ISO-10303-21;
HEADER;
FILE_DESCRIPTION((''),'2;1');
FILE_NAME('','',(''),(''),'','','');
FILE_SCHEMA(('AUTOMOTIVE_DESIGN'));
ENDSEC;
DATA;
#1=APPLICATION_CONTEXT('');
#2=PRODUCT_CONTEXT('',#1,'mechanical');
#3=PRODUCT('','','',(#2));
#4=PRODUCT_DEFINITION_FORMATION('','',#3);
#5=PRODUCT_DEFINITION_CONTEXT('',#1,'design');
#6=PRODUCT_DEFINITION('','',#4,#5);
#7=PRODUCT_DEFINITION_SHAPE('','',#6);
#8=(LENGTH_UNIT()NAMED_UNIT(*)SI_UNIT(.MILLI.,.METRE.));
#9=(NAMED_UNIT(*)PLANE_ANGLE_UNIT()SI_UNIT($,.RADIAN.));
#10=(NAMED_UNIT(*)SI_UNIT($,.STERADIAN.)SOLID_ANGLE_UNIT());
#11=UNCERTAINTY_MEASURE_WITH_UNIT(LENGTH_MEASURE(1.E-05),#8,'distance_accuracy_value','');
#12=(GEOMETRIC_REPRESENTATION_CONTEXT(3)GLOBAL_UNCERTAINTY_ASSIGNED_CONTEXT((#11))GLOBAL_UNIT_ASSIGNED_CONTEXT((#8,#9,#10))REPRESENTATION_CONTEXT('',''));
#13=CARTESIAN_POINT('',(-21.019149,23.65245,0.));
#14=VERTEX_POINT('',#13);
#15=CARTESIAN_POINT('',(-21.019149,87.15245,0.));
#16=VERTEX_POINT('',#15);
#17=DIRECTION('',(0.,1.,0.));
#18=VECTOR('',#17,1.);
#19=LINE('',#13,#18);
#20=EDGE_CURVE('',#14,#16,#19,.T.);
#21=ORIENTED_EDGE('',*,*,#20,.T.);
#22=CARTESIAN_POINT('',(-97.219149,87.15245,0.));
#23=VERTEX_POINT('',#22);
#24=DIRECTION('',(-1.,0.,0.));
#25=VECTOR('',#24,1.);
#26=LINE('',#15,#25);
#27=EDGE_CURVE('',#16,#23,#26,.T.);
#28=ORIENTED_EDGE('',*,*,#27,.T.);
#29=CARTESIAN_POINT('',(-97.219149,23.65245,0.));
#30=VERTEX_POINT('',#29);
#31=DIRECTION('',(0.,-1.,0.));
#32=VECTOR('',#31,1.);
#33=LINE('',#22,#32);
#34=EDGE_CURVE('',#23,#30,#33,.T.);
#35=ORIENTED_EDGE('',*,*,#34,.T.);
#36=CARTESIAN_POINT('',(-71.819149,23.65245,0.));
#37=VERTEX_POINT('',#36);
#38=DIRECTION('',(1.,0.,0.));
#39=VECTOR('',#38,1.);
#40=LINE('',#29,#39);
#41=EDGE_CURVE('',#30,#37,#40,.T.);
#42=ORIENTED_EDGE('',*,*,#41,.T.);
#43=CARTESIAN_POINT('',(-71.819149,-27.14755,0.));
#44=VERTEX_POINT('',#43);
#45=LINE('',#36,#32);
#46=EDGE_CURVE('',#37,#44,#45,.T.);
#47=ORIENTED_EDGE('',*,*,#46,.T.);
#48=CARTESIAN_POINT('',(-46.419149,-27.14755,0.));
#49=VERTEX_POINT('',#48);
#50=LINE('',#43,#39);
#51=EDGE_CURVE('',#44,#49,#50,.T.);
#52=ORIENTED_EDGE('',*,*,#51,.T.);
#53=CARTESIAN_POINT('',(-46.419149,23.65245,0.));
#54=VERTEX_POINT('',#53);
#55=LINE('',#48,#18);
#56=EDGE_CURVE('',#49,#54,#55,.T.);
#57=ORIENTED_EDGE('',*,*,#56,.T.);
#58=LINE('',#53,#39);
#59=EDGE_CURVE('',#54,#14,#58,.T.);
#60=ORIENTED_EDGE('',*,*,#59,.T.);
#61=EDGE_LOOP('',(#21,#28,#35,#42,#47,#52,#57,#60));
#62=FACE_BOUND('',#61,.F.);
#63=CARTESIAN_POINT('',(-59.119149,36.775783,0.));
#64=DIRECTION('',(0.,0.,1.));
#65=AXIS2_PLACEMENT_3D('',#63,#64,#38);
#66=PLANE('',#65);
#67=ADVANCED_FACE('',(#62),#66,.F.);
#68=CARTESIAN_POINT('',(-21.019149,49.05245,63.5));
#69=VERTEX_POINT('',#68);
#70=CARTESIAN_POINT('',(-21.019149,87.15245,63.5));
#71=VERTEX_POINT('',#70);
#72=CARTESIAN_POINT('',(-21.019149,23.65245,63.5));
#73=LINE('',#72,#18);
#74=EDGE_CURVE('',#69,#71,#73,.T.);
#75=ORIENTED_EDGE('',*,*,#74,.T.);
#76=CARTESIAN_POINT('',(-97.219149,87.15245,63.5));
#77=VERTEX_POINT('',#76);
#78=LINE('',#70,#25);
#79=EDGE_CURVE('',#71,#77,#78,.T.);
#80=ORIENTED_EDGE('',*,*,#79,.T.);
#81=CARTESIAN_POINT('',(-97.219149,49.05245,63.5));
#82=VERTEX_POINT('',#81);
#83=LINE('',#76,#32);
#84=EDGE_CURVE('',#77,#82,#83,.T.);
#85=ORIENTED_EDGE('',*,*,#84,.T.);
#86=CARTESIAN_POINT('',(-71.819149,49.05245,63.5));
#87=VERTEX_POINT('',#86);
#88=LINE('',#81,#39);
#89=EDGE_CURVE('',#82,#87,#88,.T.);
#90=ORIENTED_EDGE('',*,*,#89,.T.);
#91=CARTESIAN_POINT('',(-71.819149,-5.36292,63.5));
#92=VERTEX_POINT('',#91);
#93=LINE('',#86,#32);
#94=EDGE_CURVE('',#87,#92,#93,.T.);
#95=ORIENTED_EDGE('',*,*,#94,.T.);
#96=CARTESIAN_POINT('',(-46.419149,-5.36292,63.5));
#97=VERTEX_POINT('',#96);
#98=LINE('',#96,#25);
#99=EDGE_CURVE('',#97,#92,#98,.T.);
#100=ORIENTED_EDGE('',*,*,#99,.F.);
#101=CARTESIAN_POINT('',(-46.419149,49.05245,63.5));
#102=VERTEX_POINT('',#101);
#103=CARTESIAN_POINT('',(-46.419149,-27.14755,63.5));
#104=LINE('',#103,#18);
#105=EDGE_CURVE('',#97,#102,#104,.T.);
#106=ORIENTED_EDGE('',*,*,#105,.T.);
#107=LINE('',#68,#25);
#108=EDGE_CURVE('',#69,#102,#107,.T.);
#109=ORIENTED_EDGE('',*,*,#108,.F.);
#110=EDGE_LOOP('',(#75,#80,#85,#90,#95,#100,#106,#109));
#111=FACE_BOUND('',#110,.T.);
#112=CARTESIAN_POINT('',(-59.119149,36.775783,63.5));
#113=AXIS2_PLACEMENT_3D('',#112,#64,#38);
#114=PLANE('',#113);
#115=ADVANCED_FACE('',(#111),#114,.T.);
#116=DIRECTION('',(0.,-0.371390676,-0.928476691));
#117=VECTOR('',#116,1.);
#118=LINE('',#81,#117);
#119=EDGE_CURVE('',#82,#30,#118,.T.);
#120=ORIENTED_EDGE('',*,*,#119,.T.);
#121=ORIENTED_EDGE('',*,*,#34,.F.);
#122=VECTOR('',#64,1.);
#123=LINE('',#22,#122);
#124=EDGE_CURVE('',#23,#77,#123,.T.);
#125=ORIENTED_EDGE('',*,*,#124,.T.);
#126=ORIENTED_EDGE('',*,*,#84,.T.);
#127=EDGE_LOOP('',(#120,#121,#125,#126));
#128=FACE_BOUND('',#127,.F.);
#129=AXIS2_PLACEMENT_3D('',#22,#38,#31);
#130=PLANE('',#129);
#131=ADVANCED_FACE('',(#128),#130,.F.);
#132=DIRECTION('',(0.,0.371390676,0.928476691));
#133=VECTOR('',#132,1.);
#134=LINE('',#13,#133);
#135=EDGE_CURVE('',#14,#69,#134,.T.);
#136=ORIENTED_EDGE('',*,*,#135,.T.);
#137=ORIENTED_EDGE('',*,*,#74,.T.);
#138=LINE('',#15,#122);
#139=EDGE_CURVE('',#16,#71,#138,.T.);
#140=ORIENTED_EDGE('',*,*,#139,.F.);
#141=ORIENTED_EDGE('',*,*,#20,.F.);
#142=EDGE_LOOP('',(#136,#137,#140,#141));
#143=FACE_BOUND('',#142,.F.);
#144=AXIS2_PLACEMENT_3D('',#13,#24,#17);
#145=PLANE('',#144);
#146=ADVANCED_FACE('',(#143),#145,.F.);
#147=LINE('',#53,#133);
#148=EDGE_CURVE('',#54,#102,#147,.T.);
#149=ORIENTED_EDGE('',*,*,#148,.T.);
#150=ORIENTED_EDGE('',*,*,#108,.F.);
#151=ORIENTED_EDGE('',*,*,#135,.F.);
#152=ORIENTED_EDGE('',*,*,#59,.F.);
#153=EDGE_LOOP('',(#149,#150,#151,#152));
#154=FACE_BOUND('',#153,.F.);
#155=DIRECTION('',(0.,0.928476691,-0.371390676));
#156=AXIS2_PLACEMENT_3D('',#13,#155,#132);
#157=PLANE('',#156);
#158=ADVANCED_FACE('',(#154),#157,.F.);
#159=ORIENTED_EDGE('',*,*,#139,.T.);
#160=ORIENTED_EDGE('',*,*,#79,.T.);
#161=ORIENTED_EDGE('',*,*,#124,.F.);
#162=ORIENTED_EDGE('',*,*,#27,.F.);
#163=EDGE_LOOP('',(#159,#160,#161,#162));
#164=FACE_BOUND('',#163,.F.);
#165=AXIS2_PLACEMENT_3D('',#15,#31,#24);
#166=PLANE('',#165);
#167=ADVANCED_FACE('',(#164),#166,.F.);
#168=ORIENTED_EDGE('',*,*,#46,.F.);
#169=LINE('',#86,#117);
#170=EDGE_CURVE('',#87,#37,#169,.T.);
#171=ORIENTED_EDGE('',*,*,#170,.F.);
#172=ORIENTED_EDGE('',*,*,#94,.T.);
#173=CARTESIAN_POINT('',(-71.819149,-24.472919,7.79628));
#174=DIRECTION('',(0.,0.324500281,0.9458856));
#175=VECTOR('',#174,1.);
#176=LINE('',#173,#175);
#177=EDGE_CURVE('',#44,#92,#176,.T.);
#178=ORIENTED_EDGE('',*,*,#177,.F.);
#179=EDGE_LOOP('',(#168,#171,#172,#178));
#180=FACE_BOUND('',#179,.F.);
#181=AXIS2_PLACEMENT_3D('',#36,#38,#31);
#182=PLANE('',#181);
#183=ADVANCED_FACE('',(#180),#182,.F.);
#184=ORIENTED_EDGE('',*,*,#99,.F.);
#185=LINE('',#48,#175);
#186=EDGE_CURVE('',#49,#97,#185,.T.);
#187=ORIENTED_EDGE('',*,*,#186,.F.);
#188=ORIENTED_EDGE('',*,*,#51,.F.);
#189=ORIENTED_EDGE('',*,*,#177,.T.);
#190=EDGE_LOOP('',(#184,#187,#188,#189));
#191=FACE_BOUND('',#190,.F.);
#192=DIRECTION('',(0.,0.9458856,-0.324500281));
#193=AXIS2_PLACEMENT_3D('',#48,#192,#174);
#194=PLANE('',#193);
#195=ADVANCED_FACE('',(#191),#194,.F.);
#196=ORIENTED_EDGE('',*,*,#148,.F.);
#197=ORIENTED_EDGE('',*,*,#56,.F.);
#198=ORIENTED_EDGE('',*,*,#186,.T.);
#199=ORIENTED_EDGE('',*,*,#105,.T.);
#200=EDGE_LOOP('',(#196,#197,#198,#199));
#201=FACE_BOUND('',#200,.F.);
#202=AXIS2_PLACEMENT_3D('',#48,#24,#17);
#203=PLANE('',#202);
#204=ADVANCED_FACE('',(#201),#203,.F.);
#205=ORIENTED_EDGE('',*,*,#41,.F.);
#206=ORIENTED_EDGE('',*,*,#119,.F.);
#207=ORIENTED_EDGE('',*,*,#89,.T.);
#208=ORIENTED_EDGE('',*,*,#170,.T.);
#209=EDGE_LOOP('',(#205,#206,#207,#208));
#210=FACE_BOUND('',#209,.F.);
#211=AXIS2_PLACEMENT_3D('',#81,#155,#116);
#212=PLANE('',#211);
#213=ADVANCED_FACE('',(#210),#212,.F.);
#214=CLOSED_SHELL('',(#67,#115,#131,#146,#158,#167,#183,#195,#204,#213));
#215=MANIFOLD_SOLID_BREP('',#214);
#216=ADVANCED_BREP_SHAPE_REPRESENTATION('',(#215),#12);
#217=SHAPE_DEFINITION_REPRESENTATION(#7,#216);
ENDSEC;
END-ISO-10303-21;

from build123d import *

# Parameters (mm, degrees)
F1_DEPTH = 63.5
F3_DEPTH = 25.4
F5_DEPTH = 25.4
F7_DEPTH = 50.801


with BuildPart() as f1:
    # F0 (on Top) → F1 (new body)
    with BuildSketch(Plane.XY):
        Polygon((-21.019149, 87.15245), (-97.219149, 87.15245), (-97.219149, 23.65245), (-71.819149, 23.65245), (-71.819149, -27.14755), (-46.419149, -27.14755), (-46.419149, 23.65245), (-21.019149, 23.65245), align=None)
    extrude(amount=F1_DEPTH)

    # F2 (on face) → F3 (cut)
    with BuildSketch(Plane(origin=(-97.219149, 0, 0), x_dir=(0, -1, 0), z_dir=(-1, 0, 0))):
        Polygon((-23.65245, 63.5), (-49.05245, 63.5), (-23.65245, 0), align=None)
    extrude(amount=-F3_DEPTH, mode=Mode.SUBTRACT)

    # F4 (on face) → F5 (cut)
    with BuildSketch(Plane.YZ.offset(-21.019149)):
        Polygon((23.65245, 0), (49.05245, 63.5), (23.65245, 63.5), align=None)
    extrude(amount=-F5_DEPTH, mode=Mode.SUBTRACT)

    # F6 (on face) → F7 (cut, through all)
    with BuildSketch(Plane.YZ.offset(-46.419149)):
        Polygon((-27.14755, 0), (-5.36292, 63.5), (-27.14755, 63.5), align=None)
    extrude(amount=-F7_DEPTH, mode=Mode.SUBTRACT)


solid = f1.part
